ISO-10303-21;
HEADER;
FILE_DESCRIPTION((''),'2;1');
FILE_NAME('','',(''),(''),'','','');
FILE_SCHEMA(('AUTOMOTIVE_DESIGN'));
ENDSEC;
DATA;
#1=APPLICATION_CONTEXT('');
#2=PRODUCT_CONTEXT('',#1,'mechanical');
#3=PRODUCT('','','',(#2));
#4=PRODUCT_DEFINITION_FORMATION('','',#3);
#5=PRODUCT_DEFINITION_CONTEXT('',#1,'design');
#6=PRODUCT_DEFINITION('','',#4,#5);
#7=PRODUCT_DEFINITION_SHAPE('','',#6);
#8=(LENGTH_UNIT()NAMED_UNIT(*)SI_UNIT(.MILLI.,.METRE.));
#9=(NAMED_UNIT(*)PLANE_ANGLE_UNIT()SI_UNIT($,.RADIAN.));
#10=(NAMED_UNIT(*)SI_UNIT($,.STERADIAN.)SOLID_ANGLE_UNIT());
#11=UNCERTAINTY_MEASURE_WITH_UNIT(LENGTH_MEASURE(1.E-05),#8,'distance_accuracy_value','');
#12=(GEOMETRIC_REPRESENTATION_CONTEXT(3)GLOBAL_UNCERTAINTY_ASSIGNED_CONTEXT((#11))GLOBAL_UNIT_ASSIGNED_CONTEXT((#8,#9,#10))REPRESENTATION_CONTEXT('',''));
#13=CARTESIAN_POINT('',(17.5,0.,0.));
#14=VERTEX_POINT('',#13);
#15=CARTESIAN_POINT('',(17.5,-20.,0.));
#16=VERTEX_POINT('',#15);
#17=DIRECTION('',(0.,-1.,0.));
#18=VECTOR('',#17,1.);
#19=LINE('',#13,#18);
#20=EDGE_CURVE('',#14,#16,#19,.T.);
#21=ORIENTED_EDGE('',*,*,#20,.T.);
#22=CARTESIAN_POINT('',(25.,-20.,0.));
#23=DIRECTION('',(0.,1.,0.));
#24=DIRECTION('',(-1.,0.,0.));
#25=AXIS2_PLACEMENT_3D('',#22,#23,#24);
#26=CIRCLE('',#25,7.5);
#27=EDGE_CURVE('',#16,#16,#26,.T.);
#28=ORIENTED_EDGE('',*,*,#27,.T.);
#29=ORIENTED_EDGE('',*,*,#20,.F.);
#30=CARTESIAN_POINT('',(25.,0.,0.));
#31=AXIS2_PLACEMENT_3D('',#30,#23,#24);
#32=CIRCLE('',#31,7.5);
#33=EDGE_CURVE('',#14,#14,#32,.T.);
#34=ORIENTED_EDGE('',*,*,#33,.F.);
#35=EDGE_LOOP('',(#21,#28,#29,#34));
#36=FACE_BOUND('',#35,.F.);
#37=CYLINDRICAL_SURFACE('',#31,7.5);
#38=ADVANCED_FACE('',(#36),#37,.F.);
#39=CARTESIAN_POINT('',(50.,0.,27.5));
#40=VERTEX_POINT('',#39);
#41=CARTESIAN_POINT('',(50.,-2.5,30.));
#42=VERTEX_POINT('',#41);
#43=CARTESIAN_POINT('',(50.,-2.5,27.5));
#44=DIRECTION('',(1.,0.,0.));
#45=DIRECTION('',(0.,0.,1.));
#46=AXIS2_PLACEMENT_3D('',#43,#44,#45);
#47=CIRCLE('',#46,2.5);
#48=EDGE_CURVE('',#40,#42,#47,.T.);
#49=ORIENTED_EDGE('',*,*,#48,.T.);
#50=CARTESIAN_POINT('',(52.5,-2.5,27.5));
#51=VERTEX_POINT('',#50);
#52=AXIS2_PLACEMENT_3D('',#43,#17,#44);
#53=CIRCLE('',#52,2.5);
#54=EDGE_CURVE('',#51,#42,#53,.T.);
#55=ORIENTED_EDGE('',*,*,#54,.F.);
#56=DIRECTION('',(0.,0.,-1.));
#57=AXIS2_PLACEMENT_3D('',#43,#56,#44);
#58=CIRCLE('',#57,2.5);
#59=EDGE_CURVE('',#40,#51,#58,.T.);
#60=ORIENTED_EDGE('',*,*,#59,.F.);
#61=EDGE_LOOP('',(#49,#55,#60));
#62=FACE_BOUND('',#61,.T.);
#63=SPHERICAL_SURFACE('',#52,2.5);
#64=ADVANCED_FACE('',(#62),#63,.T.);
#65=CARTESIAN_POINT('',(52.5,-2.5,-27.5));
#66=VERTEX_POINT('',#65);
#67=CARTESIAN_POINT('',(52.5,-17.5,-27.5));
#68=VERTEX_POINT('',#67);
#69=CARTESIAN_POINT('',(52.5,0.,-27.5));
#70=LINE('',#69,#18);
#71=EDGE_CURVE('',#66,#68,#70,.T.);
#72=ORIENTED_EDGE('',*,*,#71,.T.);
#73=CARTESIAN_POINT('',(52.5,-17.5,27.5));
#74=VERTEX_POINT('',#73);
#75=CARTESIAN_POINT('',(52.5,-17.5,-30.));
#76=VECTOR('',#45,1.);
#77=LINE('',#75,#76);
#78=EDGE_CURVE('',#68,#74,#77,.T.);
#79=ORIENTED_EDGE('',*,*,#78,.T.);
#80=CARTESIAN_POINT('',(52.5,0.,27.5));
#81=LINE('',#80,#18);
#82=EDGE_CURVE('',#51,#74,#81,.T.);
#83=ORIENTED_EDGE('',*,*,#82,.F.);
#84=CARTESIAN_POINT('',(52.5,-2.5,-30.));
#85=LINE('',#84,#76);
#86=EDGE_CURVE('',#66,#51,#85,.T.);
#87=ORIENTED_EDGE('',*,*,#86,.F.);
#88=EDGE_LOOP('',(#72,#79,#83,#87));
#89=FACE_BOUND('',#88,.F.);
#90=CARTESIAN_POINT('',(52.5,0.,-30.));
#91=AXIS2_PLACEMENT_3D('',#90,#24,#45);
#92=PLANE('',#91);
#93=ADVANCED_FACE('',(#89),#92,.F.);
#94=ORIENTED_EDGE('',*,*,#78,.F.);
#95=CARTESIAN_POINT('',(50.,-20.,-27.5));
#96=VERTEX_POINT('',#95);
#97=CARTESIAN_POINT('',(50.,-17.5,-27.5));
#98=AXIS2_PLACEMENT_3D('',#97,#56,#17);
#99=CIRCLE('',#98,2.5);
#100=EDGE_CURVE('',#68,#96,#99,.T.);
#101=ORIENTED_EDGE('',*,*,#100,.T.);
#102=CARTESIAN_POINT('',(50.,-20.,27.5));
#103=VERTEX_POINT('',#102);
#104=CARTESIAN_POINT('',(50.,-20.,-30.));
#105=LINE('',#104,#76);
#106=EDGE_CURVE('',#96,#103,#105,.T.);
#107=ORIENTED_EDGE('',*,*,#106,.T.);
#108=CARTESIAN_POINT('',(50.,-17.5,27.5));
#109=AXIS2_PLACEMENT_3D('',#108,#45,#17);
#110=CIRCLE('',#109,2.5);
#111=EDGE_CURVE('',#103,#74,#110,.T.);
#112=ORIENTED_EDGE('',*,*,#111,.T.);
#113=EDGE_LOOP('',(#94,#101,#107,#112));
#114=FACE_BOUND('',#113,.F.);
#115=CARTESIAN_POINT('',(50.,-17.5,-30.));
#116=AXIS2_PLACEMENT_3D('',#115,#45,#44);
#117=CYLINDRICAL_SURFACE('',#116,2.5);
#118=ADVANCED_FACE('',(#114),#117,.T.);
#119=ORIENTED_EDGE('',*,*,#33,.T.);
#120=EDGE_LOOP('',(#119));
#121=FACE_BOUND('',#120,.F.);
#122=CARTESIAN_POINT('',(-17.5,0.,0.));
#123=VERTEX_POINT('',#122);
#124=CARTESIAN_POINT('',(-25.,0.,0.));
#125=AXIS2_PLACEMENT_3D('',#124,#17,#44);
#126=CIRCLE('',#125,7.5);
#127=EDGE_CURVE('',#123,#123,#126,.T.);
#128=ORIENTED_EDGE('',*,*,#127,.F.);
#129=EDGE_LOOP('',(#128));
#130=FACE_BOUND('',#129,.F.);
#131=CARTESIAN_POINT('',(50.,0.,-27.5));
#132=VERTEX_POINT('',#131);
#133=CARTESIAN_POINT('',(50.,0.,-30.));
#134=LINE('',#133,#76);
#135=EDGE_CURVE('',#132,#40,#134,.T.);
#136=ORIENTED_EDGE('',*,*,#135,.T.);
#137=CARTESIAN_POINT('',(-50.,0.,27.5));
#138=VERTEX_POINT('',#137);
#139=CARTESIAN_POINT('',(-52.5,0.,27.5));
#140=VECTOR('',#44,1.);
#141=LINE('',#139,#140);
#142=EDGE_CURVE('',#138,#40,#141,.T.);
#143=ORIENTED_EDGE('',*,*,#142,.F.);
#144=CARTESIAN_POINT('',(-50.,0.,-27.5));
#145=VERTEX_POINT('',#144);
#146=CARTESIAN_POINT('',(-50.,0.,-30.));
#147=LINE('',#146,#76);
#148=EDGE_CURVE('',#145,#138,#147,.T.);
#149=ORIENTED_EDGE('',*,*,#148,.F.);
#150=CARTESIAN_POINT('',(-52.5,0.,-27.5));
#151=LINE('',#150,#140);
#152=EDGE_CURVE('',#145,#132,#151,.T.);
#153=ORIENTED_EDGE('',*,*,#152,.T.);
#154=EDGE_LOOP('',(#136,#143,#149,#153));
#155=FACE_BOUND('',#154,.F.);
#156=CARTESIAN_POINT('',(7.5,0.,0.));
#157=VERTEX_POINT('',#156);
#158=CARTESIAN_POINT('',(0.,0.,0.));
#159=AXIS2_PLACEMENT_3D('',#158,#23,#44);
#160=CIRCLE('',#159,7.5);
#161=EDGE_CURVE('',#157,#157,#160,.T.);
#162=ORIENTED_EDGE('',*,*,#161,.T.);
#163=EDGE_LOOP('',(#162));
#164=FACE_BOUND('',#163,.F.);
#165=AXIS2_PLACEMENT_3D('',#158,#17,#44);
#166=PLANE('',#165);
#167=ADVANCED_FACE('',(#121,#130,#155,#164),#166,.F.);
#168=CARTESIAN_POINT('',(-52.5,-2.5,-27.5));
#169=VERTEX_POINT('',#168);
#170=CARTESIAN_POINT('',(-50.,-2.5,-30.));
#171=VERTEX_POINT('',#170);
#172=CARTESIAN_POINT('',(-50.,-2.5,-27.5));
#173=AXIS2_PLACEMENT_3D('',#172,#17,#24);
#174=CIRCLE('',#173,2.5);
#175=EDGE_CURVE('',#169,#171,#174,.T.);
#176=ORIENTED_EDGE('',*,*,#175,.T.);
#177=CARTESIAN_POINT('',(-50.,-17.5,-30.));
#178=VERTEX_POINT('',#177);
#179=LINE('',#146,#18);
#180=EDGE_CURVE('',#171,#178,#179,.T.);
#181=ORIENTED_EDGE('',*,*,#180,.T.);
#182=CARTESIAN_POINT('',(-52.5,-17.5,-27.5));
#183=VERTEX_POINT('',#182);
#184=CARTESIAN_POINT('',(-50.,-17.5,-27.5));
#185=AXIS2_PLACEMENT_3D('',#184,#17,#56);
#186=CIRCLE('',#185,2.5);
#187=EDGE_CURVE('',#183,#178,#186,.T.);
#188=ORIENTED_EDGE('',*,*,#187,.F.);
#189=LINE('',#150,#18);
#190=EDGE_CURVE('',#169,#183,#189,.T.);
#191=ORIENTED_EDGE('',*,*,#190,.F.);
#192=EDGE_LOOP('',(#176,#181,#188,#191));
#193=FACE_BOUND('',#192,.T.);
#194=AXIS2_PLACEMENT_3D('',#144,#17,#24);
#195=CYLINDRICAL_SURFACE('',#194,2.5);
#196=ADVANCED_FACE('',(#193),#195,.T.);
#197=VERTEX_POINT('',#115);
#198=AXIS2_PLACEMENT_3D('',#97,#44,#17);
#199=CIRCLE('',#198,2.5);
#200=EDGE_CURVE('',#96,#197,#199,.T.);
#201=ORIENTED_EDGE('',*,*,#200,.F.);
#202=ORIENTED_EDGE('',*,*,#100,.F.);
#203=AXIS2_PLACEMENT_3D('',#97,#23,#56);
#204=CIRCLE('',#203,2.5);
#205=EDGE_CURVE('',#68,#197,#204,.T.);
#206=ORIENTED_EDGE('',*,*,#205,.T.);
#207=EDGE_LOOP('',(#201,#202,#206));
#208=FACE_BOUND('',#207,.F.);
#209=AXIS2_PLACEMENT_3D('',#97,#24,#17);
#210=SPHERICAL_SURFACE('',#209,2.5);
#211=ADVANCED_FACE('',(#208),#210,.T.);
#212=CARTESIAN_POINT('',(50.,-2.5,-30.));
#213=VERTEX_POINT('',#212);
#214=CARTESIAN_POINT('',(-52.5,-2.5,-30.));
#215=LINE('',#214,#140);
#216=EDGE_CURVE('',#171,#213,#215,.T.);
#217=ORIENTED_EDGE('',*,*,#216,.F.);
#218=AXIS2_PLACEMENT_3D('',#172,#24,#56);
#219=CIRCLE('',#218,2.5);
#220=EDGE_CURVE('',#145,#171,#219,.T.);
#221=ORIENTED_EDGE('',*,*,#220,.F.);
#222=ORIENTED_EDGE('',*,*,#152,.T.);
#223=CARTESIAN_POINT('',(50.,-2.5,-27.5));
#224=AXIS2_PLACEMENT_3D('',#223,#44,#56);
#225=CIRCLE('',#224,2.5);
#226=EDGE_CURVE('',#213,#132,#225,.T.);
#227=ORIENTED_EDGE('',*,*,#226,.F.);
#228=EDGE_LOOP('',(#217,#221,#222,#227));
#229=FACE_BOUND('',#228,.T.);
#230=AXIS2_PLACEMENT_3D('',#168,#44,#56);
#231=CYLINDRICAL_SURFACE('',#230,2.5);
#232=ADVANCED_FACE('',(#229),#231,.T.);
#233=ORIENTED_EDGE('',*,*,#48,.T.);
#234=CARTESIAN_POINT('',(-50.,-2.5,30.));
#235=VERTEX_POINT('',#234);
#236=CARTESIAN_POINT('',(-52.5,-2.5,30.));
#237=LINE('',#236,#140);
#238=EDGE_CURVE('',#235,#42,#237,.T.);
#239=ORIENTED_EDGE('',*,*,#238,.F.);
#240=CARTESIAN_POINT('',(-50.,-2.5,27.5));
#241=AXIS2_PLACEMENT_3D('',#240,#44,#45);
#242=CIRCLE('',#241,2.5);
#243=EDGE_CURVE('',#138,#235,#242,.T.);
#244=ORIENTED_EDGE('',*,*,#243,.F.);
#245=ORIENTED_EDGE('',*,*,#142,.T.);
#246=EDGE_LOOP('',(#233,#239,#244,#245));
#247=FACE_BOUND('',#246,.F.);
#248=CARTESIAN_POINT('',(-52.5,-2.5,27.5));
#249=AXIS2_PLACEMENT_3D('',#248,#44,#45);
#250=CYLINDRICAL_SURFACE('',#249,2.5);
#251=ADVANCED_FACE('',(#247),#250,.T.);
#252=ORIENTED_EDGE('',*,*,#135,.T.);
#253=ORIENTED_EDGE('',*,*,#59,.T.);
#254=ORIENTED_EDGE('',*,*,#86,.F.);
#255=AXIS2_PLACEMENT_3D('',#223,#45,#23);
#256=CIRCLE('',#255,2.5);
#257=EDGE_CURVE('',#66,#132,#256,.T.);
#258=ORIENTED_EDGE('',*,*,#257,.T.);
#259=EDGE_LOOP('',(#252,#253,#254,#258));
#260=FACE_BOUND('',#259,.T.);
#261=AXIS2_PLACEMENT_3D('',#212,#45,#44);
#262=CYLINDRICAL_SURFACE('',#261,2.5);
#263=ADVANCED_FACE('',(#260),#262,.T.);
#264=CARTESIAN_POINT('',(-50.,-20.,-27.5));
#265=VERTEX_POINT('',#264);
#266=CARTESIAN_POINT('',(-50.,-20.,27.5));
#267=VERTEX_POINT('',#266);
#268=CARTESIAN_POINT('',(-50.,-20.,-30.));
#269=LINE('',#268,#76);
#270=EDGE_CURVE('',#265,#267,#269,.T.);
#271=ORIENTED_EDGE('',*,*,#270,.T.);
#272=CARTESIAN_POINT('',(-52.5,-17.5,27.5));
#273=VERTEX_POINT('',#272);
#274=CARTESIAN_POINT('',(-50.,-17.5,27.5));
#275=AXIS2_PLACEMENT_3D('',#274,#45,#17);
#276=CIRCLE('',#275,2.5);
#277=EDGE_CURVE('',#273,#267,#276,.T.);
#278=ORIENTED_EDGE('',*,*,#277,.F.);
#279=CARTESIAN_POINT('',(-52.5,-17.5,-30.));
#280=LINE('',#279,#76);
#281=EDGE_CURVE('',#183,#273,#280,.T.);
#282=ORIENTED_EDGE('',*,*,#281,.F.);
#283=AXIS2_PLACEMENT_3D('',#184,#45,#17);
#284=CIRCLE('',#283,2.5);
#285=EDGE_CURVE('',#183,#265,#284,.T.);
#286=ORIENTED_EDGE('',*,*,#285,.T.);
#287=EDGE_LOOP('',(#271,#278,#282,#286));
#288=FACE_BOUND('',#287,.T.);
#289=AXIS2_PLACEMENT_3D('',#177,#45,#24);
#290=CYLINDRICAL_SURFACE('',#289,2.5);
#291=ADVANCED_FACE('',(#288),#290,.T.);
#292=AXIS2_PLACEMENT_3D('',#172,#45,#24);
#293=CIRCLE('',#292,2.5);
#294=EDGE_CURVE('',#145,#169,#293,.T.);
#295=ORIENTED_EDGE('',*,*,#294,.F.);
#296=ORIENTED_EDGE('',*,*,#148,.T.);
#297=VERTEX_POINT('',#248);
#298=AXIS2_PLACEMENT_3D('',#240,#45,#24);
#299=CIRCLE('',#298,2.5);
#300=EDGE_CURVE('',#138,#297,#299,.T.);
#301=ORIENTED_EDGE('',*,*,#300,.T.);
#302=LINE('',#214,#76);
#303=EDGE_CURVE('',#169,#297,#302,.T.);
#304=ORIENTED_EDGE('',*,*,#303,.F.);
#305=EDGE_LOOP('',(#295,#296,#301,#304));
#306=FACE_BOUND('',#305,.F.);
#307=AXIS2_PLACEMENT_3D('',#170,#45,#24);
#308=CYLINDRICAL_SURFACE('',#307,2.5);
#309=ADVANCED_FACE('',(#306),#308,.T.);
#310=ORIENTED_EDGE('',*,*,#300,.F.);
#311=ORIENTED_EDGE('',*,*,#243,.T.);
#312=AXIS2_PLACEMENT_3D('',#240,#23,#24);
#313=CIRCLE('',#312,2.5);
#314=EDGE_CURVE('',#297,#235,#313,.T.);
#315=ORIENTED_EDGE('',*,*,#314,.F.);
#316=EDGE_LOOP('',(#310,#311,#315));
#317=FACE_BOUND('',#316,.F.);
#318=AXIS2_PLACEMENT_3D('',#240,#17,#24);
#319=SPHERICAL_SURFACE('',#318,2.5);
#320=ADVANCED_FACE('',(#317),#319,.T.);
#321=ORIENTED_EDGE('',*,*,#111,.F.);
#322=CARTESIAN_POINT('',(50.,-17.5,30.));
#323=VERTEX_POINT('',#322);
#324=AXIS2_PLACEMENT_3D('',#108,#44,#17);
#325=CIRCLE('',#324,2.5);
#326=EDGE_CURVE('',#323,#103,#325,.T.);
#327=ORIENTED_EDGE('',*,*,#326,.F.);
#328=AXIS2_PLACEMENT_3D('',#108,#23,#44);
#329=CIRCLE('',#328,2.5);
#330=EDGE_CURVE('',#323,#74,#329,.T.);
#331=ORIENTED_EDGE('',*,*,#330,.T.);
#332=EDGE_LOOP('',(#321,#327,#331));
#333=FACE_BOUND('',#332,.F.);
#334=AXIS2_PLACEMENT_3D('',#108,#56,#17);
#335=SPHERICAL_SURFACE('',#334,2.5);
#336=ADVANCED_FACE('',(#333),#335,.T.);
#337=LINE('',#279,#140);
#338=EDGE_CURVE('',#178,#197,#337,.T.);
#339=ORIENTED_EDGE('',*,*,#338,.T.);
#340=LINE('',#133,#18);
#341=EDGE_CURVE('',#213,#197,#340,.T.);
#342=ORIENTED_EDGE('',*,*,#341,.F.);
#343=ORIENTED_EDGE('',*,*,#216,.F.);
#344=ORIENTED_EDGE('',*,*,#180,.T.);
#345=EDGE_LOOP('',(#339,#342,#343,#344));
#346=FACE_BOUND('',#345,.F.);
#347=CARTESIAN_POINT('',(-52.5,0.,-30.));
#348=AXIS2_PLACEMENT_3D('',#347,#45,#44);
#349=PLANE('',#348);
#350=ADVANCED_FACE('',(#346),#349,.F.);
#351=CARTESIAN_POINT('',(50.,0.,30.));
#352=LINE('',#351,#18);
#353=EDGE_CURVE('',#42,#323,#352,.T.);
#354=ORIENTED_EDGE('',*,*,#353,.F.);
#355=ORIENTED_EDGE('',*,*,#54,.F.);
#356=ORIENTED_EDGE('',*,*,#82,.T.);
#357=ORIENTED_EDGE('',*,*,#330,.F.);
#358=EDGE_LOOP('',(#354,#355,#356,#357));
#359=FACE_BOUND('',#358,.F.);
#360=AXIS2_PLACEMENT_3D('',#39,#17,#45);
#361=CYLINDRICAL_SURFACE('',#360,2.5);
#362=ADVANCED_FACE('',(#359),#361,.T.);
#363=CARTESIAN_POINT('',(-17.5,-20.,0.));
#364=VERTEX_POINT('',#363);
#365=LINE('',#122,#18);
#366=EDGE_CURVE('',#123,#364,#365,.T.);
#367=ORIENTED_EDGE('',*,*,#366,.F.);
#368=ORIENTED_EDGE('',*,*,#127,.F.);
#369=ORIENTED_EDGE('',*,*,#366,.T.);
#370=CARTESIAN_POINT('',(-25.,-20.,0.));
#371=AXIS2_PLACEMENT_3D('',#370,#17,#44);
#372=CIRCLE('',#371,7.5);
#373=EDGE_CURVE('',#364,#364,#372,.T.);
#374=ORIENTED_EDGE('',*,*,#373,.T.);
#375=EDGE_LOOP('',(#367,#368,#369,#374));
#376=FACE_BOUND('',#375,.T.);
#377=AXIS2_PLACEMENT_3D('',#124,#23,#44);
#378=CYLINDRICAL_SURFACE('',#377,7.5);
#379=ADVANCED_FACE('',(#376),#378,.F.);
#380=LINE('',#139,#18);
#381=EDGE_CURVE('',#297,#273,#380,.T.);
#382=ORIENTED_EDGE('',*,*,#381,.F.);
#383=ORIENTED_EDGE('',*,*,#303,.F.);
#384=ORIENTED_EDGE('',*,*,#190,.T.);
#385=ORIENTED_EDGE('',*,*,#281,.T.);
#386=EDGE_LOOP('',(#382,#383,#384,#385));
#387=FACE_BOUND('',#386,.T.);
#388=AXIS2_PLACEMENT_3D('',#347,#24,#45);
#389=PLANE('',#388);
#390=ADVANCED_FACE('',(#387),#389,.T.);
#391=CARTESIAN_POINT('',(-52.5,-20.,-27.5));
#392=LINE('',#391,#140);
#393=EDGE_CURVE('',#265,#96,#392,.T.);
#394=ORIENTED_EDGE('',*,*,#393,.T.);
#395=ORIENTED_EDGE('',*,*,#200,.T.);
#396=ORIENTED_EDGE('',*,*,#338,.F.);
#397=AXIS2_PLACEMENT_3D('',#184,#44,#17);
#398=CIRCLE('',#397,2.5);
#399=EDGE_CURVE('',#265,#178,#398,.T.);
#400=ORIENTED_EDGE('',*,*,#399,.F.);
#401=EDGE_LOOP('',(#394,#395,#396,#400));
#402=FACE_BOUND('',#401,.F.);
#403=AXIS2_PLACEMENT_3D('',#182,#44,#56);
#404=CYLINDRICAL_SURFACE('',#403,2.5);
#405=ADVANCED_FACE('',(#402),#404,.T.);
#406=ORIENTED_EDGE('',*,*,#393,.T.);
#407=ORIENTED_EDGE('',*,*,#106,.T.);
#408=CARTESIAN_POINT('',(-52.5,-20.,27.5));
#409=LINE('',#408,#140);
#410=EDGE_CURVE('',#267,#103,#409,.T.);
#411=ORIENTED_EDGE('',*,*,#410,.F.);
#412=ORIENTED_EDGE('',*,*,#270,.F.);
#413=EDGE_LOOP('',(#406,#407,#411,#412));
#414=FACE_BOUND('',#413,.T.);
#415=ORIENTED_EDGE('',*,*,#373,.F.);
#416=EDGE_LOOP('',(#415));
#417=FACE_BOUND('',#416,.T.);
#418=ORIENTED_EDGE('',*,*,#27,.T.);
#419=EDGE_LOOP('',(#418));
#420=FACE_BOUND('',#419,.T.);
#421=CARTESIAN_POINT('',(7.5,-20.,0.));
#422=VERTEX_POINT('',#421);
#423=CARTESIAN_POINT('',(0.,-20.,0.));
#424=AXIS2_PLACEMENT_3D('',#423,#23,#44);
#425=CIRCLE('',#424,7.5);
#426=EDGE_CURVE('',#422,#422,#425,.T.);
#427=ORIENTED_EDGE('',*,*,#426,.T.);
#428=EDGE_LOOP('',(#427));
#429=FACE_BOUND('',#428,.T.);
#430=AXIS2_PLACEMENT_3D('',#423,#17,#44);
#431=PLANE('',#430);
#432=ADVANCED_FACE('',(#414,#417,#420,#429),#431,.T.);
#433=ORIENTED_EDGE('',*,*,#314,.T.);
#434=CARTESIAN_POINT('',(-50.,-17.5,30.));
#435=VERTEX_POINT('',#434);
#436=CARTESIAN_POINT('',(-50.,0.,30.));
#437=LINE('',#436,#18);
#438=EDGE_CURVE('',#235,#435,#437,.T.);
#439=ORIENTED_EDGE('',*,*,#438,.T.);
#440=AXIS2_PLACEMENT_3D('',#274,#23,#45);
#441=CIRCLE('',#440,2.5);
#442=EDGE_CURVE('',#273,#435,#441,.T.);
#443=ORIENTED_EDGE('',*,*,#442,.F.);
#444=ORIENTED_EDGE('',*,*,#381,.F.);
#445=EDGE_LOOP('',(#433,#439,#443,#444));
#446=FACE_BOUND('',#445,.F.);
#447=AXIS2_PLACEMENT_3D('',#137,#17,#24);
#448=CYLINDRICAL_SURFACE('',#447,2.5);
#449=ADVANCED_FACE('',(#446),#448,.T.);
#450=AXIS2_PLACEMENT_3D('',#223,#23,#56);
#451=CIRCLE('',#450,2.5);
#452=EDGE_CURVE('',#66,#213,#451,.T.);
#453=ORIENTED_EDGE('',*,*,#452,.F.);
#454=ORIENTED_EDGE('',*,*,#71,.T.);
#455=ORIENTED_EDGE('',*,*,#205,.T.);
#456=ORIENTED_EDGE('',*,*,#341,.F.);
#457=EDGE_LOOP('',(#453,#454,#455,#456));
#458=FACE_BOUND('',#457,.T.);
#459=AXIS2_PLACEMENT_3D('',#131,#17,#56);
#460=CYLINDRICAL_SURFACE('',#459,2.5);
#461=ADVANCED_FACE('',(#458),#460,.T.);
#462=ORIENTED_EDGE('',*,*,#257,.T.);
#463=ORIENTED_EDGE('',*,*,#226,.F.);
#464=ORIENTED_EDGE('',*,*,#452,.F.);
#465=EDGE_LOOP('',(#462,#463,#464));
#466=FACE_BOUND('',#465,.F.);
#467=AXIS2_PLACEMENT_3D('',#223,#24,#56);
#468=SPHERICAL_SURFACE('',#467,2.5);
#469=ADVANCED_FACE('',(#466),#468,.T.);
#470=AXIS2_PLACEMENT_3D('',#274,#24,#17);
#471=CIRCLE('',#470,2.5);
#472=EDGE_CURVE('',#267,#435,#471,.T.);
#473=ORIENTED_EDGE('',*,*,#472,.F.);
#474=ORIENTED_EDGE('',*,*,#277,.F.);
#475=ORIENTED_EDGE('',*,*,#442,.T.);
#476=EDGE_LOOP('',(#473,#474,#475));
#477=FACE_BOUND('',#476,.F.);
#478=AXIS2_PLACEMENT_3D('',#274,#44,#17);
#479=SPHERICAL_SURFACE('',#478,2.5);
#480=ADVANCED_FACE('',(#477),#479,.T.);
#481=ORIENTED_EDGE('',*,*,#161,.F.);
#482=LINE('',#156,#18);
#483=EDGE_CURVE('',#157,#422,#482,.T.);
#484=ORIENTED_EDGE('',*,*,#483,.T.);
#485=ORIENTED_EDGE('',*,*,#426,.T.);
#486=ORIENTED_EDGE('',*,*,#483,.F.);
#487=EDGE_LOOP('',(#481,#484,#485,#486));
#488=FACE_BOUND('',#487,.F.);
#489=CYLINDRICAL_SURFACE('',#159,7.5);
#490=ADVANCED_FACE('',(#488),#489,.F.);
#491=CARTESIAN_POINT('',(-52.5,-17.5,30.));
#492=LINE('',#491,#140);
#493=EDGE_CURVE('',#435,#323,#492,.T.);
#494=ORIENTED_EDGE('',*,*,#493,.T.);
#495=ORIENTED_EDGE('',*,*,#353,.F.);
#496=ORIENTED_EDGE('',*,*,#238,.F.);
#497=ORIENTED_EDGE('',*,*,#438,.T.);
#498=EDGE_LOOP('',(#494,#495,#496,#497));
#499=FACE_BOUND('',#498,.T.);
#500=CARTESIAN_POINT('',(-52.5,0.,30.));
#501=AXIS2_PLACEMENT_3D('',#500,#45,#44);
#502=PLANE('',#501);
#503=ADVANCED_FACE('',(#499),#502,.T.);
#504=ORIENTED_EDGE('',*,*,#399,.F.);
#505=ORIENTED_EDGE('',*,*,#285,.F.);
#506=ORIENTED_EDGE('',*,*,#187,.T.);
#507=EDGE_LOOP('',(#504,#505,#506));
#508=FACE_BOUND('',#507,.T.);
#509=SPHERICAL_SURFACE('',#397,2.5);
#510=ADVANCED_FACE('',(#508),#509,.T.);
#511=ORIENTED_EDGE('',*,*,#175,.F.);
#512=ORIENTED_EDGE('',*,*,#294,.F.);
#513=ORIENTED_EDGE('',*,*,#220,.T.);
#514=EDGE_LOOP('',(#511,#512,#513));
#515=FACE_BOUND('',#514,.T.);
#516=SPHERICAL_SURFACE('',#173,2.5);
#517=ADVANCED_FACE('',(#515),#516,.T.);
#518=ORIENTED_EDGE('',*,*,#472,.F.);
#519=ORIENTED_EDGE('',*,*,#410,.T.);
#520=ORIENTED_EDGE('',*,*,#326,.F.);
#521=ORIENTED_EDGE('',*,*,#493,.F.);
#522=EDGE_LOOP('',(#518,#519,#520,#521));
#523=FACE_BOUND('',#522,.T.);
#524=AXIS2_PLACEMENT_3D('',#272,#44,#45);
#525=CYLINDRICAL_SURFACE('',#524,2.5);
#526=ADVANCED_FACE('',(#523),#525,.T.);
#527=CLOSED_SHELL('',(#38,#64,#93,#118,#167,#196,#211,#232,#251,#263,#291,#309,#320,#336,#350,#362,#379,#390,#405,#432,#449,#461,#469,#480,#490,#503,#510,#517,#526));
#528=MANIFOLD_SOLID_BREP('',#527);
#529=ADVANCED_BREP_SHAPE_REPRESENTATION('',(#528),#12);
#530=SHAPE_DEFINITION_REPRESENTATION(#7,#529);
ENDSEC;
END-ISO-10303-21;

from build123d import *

# Parameters (mm, degrees)
F0_W     = 105
F0_H     = 60
F0_R     = 7.5
F1_DEPTH = 20
F2_R     = 2.5


with BuildPart() as f1:
    # F0 (on Front) → F1 (new body)
    with BuildSketch(Plane.XZ):
        Rectangle(F0_W, F0_H)
        with Locations((-25, 0)):
            Circle(F0_R, mode=Mode.SUBTRACT)
        with BuildLine():
            ThreePointArc((-7.5, 0), (0, 7.5), (7.5, 0))
            ThreePointArc((7.5, 0), (0, -7.5), (-7.5, 0))
        make_face(mode=Mode.SUBTRACT)
        with BuildLine():
            ThreePointArc((32.5, 0), (25, -7.5), (17.5, 0))
            ThreePointArc((17.5, 0), (25, 7.5), (32.5, 0))
        make_face(mode=Mode.SUBTRACT)
    extrude(amount=F1_DEPTH)

    # F2
    f2_edges = [f1.edges().sort_by_distance(p)[0] for p in [
        (0, -20, -30),
        (52.5, -20, 0),
        (0, -20, 30),
        (-52.5, -20, 0),
        (-52.5, -10, 30),
        (-52.5, -10, -30),
        (-52.5, 0, 0),
        (0, 0, -30),
        (52.5, -10, -30),
        (52.5, -10, 30),
        (52.5, 0, 0),
        (0, 0, 30),
    ]]
    fillet(f2_edges, radius=F2_R)


solid = f1.part
